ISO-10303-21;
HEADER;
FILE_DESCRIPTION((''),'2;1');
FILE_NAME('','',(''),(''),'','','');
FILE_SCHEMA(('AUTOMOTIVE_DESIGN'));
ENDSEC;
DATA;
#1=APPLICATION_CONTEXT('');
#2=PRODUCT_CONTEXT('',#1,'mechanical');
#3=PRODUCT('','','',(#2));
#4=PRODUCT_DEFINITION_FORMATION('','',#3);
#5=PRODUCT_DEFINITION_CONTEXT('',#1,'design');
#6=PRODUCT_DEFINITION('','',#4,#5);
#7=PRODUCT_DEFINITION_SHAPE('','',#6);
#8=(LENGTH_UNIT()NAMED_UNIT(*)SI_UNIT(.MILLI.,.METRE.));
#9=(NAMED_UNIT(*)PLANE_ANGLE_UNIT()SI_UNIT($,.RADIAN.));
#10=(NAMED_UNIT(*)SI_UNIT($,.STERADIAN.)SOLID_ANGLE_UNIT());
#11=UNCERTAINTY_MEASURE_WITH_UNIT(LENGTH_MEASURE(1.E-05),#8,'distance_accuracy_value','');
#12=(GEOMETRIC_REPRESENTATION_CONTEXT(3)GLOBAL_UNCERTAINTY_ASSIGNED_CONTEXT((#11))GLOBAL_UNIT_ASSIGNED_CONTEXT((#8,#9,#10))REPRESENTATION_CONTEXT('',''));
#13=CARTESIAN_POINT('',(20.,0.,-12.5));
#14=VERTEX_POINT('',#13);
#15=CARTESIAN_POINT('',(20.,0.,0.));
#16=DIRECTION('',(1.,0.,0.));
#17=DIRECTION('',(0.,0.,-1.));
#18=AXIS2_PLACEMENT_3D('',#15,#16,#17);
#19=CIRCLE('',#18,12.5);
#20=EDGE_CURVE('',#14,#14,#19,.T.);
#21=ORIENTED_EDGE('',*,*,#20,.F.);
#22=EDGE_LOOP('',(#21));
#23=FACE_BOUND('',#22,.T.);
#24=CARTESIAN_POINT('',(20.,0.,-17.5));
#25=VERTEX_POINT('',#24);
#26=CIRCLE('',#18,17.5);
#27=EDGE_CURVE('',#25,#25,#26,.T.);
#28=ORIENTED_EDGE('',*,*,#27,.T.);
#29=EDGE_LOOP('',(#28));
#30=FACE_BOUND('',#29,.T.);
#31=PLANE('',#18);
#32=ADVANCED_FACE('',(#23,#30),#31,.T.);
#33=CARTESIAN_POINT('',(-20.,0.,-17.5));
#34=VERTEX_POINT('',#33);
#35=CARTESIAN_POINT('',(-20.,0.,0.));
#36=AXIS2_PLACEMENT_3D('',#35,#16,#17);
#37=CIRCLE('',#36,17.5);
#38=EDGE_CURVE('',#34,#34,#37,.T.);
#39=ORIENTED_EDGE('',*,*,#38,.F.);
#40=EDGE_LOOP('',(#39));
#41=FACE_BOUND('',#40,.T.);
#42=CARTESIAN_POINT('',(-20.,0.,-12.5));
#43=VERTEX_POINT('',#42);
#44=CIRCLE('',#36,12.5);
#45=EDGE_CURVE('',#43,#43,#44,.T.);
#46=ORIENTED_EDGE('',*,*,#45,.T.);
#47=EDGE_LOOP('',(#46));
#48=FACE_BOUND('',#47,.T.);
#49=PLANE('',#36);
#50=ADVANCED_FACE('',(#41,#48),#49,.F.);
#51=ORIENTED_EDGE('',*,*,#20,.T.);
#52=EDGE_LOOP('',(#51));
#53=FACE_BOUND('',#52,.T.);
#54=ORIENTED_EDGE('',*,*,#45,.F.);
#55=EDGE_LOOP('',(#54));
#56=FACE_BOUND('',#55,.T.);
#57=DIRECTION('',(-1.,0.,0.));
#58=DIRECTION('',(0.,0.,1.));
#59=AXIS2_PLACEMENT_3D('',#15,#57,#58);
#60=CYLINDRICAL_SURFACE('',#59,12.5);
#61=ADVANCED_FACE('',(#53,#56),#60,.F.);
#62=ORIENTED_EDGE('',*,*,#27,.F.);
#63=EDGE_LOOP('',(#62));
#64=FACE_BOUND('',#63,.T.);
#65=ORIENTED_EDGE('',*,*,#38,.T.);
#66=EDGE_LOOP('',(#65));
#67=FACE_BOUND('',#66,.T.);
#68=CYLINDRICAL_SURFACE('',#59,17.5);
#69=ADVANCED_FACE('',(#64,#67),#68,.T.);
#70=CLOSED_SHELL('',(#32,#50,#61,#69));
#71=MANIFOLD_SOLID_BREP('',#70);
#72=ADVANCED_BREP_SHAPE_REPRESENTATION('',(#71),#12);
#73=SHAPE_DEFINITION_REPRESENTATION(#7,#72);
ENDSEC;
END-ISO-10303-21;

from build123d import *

# Parameters (mm, degrees)
SKETCH1_R           = 17.5
SKETCH1_R_2         = 12.5
BOSS_EXTRUDE1_DEPTH = 20


with BuildPart() as part:
    # Sketch1 → Boss-Extrude1 (new, symmetric)
    with BuildSketch(Plane(origin=(0, 0, 0), x_dir=(0, 0, -1), z_dir=(1, 0, 0))):
        Circle(SKETCH1_R)
        Circle(SKETCH1_R_2, mode=Mode.SUBTRACT)
    extrude(amount=BOSS_EXTRUDE1_DEPTH, both=True)


solid = part.part
